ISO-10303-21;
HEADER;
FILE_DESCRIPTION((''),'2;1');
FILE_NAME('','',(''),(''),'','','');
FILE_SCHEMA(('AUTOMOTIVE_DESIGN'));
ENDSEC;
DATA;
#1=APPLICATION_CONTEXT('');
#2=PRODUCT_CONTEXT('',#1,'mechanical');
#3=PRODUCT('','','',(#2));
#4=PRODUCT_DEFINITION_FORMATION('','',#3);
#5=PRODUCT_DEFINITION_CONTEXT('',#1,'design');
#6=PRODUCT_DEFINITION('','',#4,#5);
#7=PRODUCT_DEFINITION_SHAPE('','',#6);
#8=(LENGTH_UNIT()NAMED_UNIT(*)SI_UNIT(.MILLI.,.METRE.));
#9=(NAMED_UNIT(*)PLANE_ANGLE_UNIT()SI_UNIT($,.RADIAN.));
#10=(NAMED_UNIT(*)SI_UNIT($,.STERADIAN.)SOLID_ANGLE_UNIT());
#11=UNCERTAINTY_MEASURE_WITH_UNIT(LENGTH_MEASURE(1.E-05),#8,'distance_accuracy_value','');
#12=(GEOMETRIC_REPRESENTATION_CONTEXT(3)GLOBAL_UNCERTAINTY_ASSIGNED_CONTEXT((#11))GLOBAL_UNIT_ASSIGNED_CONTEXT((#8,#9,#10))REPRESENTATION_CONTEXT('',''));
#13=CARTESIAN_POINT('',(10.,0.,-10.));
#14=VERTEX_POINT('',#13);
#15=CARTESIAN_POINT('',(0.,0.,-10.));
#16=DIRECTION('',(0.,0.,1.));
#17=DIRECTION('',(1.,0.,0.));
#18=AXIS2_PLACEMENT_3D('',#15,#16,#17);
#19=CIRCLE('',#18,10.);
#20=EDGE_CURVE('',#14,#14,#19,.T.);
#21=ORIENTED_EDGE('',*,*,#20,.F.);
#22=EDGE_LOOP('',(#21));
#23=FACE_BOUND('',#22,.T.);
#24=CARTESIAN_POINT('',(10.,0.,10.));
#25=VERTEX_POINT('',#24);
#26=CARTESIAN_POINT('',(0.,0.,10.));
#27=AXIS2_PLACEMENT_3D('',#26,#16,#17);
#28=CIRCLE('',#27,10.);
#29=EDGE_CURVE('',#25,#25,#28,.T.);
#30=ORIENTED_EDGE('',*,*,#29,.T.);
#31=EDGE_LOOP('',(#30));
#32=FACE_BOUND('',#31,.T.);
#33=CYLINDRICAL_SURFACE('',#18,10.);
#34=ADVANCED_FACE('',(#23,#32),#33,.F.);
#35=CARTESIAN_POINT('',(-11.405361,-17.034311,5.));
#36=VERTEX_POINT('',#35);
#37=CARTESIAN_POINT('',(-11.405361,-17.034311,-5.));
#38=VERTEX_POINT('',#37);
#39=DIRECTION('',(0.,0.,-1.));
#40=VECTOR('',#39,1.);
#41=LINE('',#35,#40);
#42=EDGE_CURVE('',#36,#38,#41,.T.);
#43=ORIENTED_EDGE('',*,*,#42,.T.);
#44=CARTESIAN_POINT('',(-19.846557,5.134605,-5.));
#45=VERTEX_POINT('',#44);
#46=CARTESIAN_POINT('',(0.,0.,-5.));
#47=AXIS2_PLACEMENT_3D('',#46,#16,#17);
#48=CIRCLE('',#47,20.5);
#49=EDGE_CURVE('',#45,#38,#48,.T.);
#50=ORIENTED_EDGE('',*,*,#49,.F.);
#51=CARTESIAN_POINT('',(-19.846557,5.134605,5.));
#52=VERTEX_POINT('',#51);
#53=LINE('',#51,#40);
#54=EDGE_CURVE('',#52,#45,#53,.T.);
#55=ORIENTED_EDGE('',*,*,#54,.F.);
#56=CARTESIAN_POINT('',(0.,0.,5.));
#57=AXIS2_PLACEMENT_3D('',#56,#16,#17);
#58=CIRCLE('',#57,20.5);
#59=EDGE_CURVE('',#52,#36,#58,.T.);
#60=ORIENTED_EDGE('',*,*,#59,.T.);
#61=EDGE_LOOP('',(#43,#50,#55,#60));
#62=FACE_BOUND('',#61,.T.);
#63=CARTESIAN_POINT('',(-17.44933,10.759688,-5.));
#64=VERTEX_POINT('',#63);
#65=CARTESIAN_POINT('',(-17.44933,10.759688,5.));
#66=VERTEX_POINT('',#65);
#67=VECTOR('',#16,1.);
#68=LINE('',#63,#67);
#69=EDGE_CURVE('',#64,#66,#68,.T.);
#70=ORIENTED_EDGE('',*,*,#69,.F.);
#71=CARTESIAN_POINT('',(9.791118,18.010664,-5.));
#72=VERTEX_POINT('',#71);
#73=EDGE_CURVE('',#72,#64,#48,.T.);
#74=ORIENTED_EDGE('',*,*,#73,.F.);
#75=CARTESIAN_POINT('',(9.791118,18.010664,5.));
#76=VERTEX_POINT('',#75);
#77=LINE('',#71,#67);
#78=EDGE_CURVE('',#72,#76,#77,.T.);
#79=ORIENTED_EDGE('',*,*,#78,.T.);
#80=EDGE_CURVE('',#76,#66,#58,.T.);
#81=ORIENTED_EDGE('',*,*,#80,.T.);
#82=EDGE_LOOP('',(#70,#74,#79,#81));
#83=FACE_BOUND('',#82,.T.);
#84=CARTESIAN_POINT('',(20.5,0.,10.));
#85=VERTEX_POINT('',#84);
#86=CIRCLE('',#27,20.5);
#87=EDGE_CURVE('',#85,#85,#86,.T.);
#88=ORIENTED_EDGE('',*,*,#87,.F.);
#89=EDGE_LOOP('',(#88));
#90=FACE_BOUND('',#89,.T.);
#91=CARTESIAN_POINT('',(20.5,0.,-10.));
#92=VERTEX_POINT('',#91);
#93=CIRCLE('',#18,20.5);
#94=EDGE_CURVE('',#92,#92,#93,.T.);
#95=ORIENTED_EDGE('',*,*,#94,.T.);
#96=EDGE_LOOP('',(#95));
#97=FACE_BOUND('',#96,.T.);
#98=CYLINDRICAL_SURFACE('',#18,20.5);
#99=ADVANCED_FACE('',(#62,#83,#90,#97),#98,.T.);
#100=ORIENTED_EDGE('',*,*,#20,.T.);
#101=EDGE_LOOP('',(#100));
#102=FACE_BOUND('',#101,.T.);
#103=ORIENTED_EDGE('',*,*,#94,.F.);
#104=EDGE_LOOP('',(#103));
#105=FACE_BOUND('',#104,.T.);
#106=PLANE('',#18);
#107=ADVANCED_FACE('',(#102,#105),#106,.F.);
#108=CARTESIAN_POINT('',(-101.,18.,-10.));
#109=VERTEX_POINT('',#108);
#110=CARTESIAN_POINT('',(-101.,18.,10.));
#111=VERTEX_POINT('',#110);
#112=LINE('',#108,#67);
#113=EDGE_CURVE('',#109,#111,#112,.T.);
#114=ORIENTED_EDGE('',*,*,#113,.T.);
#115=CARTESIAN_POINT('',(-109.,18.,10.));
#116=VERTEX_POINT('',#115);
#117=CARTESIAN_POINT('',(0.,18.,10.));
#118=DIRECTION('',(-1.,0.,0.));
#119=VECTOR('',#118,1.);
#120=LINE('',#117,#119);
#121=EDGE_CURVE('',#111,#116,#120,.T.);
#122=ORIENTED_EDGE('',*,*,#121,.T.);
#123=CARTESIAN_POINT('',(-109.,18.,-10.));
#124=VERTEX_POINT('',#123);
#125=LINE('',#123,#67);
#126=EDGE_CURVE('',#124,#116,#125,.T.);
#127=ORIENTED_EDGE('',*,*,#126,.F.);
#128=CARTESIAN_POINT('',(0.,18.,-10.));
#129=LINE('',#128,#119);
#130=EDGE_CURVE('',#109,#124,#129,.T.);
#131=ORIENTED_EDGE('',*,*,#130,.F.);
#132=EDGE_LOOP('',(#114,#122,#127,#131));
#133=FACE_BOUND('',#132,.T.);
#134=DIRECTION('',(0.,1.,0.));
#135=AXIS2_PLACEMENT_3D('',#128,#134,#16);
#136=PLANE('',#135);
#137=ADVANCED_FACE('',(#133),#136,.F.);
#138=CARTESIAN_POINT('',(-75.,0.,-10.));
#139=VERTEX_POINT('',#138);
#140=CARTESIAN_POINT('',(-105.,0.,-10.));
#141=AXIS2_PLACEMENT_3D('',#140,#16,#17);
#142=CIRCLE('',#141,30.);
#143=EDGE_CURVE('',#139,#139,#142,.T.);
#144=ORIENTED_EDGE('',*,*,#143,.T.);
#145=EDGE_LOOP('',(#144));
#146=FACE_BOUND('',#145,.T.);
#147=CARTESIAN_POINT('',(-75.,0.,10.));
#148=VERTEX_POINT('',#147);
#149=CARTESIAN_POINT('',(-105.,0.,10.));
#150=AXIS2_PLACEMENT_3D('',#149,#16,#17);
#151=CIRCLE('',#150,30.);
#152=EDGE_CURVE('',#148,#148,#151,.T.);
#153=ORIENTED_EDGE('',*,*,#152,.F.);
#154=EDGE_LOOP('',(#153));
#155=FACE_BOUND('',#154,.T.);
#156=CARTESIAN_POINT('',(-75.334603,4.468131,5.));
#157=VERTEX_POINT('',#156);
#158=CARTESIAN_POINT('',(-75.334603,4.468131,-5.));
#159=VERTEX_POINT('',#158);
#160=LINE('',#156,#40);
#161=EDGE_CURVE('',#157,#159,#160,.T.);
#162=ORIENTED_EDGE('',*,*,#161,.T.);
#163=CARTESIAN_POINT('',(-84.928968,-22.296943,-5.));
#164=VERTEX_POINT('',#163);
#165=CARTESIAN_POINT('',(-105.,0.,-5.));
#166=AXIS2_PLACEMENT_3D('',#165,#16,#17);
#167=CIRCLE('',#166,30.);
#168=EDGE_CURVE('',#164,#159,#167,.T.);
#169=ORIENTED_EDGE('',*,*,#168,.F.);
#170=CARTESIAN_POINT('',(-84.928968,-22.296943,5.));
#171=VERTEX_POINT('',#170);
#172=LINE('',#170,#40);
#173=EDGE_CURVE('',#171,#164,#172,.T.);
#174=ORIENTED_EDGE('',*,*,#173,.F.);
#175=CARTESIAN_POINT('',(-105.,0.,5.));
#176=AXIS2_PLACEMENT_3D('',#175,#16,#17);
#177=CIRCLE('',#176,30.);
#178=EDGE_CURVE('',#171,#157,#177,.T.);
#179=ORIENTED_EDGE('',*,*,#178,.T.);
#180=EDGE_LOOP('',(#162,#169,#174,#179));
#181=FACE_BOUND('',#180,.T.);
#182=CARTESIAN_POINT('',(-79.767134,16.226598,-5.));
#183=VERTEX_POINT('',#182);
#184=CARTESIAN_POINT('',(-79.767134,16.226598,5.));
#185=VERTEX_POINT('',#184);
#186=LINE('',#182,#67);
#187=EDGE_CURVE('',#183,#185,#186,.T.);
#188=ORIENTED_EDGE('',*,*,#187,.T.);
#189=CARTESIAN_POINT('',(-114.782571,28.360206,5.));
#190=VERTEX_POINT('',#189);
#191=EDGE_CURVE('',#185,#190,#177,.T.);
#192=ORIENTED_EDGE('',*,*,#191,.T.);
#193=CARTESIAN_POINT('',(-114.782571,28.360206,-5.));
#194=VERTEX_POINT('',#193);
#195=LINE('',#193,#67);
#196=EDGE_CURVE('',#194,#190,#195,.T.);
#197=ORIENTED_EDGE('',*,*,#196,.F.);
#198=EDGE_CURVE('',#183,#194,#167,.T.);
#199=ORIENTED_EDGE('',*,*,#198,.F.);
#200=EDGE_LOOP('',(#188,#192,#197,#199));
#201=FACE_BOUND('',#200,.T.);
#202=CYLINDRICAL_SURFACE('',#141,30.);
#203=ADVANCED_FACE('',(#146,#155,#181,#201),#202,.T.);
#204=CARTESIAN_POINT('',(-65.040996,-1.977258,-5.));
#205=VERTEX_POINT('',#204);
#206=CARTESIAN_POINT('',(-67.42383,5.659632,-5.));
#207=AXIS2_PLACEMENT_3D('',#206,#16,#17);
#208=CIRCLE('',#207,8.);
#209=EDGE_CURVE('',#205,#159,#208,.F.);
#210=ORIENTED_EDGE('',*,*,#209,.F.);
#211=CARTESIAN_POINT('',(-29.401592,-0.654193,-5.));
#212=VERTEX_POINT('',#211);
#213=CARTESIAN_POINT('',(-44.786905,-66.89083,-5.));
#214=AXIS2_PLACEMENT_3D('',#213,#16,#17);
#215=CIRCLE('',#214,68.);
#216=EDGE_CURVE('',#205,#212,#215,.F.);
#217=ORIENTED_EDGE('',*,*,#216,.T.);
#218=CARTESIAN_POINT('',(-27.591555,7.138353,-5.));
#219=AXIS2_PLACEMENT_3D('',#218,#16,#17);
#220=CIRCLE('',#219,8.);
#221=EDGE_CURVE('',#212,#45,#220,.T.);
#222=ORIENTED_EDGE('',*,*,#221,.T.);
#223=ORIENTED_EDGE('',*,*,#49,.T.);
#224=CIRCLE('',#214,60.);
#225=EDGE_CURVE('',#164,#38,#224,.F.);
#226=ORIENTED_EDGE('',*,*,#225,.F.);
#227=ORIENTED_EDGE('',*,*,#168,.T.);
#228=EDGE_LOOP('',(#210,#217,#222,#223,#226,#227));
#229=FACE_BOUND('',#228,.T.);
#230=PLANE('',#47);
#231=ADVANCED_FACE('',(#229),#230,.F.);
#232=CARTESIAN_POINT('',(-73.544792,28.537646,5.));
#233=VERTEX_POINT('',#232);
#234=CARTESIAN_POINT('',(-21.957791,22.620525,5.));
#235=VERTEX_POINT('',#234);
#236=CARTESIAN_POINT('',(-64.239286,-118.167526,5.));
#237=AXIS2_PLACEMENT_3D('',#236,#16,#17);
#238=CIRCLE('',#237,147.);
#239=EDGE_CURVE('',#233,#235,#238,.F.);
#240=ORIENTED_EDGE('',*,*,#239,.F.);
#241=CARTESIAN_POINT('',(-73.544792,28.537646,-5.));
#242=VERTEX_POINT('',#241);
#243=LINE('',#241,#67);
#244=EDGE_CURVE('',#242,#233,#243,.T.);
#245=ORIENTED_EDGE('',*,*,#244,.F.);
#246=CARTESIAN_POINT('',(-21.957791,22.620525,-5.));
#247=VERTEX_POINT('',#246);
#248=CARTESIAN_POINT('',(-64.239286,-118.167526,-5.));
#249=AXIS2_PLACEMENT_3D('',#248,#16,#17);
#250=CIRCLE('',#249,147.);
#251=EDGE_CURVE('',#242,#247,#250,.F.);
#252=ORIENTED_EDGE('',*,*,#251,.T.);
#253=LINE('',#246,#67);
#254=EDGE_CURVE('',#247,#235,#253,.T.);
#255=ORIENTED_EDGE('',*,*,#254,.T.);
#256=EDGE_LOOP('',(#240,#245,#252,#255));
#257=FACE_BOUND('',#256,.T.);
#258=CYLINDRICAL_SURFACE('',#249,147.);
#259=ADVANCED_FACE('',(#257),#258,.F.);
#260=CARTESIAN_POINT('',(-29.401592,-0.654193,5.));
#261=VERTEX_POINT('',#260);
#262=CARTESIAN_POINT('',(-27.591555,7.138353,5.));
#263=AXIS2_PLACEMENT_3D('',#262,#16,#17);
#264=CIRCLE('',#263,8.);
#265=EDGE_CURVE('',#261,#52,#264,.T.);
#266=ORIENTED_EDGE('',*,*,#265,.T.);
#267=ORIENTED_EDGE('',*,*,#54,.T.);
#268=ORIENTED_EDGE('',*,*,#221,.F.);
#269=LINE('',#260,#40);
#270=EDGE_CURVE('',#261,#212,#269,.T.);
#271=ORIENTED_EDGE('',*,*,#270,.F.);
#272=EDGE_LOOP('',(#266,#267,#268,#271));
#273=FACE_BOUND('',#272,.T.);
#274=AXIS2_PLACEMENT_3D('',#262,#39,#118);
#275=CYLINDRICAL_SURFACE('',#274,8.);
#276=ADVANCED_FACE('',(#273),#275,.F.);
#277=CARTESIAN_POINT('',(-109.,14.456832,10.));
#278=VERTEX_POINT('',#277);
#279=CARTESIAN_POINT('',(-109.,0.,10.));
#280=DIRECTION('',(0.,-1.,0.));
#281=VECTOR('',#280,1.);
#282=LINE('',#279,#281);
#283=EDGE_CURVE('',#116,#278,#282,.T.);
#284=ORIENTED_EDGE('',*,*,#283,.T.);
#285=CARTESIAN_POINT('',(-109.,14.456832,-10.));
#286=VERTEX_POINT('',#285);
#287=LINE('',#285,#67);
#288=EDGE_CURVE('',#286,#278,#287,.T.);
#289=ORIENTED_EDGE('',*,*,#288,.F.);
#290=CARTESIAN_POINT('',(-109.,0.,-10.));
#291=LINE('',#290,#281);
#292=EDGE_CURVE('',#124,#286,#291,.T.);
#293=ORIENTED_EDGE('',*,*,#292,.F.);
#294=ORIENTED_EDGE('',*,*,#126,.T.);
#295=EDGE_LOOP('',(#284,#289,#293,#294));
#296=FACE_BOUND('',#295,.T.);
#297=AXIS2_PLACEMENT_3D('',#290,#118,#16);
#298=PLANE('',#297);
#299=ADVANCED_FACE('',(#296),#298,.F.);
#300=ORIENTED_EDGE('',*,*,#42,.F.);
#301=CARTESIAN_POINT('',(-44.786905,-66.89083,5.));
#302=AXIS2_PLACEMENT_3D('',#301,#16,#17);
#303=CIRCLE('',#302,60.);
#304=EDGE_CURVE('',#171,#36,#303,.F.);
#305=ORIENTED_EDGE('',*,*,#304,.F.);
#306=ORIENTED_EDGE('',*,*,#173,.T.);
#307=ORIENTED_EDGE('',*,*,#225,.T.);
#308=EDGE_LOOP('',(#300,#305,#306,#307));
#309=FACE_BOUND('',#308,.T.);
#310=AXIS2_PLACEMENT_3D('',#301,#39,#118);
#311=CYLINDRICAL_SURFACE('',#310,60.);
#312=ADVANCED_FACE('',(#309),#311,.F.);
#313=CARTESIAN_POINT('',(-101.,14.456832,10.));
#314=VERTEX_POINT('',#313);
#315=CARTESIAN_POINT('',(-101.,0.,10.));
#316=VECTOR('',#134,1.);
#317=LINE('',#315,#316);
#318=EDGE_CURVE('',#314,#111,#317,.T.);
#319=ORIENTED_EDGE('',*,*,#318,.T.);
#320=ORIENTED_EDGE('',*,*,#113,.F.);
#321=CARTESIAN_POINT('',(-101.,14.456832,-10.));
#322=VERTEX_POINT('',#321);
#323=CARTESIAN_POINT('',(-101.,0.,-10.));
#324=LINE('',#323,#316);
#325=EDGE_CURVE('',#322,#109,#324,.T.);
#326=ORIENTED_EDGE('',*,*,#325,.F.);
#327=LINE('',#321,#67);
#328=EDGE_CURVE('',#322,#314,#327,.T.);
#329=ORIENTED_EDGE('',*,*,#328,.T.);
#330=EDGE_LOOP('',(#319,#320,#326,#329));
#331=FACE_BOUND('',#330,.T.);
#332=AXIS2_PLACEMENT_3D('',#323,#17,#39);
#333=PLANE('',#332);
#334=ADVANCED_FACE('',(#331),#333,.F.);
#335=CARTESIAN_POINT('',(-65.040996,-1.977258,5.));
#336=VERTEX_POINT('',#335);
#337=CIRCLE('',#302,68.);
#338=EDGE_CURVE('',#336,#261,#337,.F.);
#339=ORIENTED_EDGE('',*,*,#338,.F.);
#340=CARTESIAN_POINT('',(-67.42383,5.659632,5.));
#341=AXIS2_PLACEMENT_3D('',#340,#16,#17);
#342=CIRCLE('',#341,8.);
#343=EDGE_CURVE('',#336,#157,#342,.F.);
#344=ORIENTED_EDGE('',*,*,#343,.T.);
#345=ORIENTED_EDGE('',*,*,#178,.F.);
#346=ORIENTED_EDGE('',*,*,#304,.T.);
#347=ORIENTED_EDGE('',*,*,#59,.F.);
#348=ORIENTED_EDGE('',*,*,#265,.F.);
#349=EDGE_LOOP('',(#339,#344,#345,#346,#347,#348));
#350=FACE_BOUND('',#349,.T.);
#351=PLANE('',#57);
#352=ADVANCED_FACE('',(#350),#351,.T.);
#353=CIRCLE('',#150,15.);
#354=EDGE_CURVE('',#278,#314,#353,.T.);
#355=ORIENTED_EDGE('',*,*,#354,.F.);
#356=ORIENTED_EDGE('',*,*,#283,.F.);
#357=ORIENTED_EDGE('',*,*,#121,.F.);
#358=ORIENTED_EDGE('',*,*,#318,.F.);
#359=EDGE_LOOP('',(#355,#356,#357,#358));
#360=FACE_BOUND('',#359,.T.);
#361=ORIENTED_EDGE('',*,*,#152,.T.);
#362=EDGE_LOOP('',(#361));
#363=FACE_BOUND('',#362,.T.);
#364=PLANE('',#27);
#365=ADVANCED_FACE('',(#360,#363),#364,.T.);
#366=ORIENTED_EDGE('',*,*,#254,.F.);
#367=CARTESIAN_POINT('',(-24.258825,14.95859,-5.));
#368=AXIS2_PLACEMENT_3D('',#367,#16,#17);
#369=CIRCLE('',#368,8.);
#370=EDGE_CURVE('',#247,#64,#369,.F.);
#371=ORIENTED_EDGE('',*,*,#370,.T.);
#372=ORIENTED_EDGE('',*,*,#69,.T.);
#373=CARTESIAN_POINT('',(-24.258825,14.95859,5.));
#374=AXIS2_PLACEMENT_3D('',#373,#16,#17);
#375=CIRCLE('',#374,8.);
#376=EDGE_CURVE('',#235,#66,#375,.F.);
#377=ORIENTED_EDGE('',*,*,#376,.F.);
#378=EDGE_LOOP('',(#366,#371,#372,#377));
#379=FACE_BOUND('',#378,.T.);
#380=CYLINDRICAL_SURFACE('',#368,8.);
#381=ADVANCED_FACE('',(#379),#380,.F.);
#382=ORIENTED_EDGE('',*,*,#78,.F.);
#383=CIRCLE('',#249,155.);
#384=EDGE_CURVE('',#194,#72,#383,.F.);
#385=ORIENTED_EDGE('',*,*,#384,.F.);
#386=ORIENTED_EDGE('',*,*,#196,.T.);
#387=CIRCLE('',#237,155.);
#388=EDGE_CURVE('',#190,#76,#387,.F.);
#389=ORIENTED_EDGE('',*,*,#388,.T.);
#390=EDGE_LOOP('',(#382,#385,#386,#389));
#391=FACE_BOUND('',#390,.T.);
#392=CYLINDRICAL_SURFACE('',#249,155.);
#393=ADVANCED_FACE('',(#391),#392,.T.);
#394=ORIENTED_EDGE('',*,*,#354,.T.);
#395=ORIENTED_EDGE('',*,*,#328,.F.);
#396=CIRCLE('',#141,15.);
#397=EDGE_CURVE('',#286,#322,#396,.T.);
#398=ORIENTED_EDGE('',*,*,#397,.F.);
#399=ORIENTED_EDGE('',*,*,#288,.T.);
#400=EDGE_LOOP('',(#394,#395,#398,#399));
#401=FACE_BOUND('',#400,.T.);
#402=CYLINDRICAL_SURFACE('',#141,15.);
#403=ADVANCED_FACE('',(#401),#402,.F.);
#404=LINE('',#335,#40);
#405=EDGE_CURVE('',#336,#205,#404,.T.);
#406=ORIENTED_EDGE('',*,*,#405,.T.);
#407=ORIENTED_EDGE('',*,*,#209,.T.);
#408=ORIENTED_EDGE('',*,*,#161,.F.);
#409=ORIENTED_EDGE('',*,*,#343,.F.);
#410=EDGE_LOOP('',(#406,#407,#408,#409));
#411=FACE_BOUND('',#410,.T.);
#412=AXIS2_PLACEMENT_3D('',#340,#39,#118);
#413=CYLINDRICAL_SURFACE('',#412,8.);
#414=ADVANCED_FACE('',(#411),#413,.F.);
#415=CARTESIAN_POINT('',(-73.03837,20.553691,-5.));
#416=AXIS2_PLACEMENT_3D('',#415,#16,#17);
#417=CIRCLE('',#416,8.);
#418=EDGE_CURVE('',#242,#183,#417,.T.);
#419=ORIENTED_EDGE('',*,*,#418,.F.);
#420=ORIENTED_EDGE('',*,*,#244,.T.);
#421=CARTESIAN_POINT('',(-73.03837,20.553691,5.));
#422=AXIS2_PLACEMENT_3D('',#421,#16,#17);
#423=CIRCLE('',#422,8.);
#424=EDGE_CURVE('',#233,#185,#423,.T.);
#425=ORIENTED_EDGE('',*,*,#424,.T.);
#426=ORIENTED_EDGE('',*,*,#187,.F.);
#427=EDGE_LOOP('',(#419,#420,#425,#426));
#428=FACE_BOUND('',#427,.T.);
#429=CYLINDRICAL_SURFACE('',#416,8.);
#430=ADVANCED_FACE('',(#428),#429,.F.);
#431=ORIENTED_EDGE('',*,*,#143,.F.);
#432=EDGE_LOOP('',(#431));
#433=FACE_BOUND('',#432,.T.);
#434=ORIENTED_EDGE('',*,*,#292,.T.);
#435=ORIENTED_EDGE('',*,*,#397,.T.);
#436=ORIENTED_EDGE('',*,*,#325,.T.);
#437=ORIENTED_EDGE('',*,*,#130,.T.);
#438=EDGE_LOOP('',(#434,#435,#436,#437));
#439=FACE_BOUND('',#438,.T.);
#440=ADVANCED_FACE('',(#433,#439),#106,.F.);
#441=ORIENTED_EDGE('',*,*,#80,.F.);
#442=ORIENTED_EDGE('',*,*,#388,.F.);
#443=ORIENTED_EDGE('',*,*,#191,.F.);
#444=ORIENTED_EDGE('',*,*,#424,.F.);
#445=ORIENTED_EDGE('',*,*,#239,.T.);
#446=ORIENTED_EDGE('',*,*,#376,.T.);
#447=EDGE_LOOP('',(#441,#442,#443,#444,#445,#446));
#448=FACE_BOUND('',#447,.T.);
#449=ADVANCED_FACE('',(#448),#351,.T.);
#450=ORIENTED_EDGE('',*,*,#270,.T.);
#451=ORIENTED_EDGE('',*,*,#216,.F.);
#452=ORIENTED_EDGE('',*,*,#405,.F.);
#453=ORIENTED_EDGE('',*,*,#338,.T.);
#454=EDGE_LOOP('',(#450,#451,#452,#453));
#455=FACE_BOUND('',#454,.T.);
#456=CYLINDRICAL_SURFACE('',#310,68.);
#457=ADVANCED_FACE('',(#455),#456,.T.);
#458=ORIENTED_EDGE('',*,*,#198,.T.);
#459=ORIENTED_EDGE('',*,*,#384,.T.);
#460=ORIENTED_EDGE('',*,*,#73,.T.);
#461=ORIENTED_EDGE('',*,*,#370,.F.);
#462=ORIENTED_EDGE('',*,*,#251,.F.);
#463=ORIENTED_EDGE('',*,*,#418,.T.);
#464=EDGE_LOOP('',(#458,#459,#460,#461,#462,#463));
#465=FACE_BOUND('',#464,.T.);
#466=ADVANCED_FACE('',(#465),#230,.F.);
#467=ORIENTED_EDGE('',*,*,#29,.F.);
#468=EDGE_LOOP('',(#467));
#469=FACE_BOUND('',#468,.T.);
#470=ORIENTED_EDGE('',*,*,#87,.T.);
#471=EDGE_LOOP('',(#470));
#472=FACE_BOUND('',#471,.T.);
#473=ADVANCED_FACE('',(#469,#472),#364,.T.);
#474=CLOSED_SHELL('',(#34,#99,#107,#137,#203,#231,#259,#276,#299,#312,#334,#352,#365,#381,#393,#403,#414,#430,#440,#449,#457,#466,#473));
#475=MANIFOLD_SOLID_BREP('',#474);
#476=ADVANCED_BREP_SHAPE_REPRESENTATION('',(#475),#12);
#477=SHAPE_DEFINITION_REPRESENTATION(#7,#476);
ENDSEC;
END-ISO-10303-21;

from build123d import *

# Parameters (mm, degrees)
BOSS_EXTRUDE1_DEPTH        = 10
BOSS_EXTRUDE1_DEPTH_BACK   = 10
SKETCH1_R                  = 20.5
SKETCH1_R_2                = 10
BOSS_EXTRUDE1_2_DEPTH      = 10
BOSS_EXTRUDE1_2_DEPTH_BACK = 10
SKETCH1_R_3                = 30
BOSS_EXTRUDE3_DEPTH        = 5
BOSS_EXTRUDE3_DEPTH_BACK   = 5


with BuildPart() as part:
    # Sketch1 → Boss-Extrude1 (new, two sides: drawn at the far end of the back side and taken through both)
    with BuildSketch(Plane.XY.offset(-BOSS_EXTRUDE1_DEPTH_BACK)):
        Circle(SKETCH1_R)
        Circle(SKETCH1_R_2, mode=Mode.SUBTRACT)
    extrude(amount=BOSS_EXTRUDE1_DEPTH + BOSS_EXTRUDE1_DEPTH_BACK)



with BuildPart() as body_2:
    # Sketch1 → Boss-Extrude1 2 (new, two sides: drawn at the far end of the back side and taken through both)
    with BuildSketch(Plane.XY.offset(-BOSS_EXTRUDE1_2_DEPTH_BACK)):
        with Locations((-105, 0)):
            Circle(SKETCH1_R_3)
        with BuildLine():
            Line((-101, 18), (-101, 14.456832295))
            ThreePointArc((-101, 14.456832295), (-105, -15), (-109, 14.456832295))
            Line((-109, 14.456832295), (-109, 18))
            Line((-109, 18), (-101, 18))
        make_face(mode=Mode.SUBTRACT)
    extrude(amount=BOSS_EXTRUDE1_2_DEPTH + BOSS_EXTRUDE1_2_DEPTH_BACK)


with BuildPart() as part_1:
    add(part.part)

    add(body_2.part)  # Boss-Extrude3 merges body 2
    # Sketch1<5> → Boss-Extrude3 (add, two sides: drawn at the far end of the back side and taken through both)
    with BuildSketch(Plane.XY.offset(-BOSS_EXTRUDE3_DEPTH_BACK)):
        with BuildLine():
            ThreePointArc((-84.928968254, -22.296943393), (-49.070592623, -7.043942052), (-11.40536084, -17.034310791))
            ThreePointArc((-11.40536084, -17.034310791), (-19.158178407, -7.294806381), (-19.846557236, 5.134604745))
            ThreePointArc((-19.846557236, 5.134604745), (-23.446258475, 0.296093427), (-29.401591979, -0.654192653))
            ThreePointArc((-29.401591979, -0.654192653), (-47.309577117, 1.062360507), (-65.040995656, -1.977258391))
            ThreePointArc((-65.040995656, -1.977258391), (-71.669449556, -1.120833178), (-75.334602536, 4.468130848))
            ThreePointArc((-75.334602536, 4.468130848), (-76.759596366, -10.123220958), (-84.928968254, -22.296943393))
        make_face()
        with BuildLine():
            ThreePointArc((-17.449330151, 10.759687601), (-5.273160122, 19.810193899), (9.791117897, 18.010663795))
            ThreePointArc((9.791117897, 18.010663795), (-51.406147601, 36.300304325), (-114.782571429, 28.360206209))
            ThreePointArc((-114.782571429, 28.360206209), (-95.177372737, 28.346357679), (-79.767134466, 16.226598441))
            ThreePointArc((-79.767134466, 16.226598441), (-80.178220113, 24.162367707), (-73.54479246, 28.537646307))
            ThreePointArc((-73.54479246, 28.537646307), (-47.487956655, 27.874909654), (-21.957791125, 22.620524811))
            ThreePointArc((-21.957791125, 22.620524811), (-16.78083736, 17.80107195), (-17.449330151, 10.759687601))
        make_face()
    extrude(amount=BOSS_EXTRUDE3_DEPTH + BOSS_EXTRUDE3_DEPTH_BACK)


solid = part_1.part
